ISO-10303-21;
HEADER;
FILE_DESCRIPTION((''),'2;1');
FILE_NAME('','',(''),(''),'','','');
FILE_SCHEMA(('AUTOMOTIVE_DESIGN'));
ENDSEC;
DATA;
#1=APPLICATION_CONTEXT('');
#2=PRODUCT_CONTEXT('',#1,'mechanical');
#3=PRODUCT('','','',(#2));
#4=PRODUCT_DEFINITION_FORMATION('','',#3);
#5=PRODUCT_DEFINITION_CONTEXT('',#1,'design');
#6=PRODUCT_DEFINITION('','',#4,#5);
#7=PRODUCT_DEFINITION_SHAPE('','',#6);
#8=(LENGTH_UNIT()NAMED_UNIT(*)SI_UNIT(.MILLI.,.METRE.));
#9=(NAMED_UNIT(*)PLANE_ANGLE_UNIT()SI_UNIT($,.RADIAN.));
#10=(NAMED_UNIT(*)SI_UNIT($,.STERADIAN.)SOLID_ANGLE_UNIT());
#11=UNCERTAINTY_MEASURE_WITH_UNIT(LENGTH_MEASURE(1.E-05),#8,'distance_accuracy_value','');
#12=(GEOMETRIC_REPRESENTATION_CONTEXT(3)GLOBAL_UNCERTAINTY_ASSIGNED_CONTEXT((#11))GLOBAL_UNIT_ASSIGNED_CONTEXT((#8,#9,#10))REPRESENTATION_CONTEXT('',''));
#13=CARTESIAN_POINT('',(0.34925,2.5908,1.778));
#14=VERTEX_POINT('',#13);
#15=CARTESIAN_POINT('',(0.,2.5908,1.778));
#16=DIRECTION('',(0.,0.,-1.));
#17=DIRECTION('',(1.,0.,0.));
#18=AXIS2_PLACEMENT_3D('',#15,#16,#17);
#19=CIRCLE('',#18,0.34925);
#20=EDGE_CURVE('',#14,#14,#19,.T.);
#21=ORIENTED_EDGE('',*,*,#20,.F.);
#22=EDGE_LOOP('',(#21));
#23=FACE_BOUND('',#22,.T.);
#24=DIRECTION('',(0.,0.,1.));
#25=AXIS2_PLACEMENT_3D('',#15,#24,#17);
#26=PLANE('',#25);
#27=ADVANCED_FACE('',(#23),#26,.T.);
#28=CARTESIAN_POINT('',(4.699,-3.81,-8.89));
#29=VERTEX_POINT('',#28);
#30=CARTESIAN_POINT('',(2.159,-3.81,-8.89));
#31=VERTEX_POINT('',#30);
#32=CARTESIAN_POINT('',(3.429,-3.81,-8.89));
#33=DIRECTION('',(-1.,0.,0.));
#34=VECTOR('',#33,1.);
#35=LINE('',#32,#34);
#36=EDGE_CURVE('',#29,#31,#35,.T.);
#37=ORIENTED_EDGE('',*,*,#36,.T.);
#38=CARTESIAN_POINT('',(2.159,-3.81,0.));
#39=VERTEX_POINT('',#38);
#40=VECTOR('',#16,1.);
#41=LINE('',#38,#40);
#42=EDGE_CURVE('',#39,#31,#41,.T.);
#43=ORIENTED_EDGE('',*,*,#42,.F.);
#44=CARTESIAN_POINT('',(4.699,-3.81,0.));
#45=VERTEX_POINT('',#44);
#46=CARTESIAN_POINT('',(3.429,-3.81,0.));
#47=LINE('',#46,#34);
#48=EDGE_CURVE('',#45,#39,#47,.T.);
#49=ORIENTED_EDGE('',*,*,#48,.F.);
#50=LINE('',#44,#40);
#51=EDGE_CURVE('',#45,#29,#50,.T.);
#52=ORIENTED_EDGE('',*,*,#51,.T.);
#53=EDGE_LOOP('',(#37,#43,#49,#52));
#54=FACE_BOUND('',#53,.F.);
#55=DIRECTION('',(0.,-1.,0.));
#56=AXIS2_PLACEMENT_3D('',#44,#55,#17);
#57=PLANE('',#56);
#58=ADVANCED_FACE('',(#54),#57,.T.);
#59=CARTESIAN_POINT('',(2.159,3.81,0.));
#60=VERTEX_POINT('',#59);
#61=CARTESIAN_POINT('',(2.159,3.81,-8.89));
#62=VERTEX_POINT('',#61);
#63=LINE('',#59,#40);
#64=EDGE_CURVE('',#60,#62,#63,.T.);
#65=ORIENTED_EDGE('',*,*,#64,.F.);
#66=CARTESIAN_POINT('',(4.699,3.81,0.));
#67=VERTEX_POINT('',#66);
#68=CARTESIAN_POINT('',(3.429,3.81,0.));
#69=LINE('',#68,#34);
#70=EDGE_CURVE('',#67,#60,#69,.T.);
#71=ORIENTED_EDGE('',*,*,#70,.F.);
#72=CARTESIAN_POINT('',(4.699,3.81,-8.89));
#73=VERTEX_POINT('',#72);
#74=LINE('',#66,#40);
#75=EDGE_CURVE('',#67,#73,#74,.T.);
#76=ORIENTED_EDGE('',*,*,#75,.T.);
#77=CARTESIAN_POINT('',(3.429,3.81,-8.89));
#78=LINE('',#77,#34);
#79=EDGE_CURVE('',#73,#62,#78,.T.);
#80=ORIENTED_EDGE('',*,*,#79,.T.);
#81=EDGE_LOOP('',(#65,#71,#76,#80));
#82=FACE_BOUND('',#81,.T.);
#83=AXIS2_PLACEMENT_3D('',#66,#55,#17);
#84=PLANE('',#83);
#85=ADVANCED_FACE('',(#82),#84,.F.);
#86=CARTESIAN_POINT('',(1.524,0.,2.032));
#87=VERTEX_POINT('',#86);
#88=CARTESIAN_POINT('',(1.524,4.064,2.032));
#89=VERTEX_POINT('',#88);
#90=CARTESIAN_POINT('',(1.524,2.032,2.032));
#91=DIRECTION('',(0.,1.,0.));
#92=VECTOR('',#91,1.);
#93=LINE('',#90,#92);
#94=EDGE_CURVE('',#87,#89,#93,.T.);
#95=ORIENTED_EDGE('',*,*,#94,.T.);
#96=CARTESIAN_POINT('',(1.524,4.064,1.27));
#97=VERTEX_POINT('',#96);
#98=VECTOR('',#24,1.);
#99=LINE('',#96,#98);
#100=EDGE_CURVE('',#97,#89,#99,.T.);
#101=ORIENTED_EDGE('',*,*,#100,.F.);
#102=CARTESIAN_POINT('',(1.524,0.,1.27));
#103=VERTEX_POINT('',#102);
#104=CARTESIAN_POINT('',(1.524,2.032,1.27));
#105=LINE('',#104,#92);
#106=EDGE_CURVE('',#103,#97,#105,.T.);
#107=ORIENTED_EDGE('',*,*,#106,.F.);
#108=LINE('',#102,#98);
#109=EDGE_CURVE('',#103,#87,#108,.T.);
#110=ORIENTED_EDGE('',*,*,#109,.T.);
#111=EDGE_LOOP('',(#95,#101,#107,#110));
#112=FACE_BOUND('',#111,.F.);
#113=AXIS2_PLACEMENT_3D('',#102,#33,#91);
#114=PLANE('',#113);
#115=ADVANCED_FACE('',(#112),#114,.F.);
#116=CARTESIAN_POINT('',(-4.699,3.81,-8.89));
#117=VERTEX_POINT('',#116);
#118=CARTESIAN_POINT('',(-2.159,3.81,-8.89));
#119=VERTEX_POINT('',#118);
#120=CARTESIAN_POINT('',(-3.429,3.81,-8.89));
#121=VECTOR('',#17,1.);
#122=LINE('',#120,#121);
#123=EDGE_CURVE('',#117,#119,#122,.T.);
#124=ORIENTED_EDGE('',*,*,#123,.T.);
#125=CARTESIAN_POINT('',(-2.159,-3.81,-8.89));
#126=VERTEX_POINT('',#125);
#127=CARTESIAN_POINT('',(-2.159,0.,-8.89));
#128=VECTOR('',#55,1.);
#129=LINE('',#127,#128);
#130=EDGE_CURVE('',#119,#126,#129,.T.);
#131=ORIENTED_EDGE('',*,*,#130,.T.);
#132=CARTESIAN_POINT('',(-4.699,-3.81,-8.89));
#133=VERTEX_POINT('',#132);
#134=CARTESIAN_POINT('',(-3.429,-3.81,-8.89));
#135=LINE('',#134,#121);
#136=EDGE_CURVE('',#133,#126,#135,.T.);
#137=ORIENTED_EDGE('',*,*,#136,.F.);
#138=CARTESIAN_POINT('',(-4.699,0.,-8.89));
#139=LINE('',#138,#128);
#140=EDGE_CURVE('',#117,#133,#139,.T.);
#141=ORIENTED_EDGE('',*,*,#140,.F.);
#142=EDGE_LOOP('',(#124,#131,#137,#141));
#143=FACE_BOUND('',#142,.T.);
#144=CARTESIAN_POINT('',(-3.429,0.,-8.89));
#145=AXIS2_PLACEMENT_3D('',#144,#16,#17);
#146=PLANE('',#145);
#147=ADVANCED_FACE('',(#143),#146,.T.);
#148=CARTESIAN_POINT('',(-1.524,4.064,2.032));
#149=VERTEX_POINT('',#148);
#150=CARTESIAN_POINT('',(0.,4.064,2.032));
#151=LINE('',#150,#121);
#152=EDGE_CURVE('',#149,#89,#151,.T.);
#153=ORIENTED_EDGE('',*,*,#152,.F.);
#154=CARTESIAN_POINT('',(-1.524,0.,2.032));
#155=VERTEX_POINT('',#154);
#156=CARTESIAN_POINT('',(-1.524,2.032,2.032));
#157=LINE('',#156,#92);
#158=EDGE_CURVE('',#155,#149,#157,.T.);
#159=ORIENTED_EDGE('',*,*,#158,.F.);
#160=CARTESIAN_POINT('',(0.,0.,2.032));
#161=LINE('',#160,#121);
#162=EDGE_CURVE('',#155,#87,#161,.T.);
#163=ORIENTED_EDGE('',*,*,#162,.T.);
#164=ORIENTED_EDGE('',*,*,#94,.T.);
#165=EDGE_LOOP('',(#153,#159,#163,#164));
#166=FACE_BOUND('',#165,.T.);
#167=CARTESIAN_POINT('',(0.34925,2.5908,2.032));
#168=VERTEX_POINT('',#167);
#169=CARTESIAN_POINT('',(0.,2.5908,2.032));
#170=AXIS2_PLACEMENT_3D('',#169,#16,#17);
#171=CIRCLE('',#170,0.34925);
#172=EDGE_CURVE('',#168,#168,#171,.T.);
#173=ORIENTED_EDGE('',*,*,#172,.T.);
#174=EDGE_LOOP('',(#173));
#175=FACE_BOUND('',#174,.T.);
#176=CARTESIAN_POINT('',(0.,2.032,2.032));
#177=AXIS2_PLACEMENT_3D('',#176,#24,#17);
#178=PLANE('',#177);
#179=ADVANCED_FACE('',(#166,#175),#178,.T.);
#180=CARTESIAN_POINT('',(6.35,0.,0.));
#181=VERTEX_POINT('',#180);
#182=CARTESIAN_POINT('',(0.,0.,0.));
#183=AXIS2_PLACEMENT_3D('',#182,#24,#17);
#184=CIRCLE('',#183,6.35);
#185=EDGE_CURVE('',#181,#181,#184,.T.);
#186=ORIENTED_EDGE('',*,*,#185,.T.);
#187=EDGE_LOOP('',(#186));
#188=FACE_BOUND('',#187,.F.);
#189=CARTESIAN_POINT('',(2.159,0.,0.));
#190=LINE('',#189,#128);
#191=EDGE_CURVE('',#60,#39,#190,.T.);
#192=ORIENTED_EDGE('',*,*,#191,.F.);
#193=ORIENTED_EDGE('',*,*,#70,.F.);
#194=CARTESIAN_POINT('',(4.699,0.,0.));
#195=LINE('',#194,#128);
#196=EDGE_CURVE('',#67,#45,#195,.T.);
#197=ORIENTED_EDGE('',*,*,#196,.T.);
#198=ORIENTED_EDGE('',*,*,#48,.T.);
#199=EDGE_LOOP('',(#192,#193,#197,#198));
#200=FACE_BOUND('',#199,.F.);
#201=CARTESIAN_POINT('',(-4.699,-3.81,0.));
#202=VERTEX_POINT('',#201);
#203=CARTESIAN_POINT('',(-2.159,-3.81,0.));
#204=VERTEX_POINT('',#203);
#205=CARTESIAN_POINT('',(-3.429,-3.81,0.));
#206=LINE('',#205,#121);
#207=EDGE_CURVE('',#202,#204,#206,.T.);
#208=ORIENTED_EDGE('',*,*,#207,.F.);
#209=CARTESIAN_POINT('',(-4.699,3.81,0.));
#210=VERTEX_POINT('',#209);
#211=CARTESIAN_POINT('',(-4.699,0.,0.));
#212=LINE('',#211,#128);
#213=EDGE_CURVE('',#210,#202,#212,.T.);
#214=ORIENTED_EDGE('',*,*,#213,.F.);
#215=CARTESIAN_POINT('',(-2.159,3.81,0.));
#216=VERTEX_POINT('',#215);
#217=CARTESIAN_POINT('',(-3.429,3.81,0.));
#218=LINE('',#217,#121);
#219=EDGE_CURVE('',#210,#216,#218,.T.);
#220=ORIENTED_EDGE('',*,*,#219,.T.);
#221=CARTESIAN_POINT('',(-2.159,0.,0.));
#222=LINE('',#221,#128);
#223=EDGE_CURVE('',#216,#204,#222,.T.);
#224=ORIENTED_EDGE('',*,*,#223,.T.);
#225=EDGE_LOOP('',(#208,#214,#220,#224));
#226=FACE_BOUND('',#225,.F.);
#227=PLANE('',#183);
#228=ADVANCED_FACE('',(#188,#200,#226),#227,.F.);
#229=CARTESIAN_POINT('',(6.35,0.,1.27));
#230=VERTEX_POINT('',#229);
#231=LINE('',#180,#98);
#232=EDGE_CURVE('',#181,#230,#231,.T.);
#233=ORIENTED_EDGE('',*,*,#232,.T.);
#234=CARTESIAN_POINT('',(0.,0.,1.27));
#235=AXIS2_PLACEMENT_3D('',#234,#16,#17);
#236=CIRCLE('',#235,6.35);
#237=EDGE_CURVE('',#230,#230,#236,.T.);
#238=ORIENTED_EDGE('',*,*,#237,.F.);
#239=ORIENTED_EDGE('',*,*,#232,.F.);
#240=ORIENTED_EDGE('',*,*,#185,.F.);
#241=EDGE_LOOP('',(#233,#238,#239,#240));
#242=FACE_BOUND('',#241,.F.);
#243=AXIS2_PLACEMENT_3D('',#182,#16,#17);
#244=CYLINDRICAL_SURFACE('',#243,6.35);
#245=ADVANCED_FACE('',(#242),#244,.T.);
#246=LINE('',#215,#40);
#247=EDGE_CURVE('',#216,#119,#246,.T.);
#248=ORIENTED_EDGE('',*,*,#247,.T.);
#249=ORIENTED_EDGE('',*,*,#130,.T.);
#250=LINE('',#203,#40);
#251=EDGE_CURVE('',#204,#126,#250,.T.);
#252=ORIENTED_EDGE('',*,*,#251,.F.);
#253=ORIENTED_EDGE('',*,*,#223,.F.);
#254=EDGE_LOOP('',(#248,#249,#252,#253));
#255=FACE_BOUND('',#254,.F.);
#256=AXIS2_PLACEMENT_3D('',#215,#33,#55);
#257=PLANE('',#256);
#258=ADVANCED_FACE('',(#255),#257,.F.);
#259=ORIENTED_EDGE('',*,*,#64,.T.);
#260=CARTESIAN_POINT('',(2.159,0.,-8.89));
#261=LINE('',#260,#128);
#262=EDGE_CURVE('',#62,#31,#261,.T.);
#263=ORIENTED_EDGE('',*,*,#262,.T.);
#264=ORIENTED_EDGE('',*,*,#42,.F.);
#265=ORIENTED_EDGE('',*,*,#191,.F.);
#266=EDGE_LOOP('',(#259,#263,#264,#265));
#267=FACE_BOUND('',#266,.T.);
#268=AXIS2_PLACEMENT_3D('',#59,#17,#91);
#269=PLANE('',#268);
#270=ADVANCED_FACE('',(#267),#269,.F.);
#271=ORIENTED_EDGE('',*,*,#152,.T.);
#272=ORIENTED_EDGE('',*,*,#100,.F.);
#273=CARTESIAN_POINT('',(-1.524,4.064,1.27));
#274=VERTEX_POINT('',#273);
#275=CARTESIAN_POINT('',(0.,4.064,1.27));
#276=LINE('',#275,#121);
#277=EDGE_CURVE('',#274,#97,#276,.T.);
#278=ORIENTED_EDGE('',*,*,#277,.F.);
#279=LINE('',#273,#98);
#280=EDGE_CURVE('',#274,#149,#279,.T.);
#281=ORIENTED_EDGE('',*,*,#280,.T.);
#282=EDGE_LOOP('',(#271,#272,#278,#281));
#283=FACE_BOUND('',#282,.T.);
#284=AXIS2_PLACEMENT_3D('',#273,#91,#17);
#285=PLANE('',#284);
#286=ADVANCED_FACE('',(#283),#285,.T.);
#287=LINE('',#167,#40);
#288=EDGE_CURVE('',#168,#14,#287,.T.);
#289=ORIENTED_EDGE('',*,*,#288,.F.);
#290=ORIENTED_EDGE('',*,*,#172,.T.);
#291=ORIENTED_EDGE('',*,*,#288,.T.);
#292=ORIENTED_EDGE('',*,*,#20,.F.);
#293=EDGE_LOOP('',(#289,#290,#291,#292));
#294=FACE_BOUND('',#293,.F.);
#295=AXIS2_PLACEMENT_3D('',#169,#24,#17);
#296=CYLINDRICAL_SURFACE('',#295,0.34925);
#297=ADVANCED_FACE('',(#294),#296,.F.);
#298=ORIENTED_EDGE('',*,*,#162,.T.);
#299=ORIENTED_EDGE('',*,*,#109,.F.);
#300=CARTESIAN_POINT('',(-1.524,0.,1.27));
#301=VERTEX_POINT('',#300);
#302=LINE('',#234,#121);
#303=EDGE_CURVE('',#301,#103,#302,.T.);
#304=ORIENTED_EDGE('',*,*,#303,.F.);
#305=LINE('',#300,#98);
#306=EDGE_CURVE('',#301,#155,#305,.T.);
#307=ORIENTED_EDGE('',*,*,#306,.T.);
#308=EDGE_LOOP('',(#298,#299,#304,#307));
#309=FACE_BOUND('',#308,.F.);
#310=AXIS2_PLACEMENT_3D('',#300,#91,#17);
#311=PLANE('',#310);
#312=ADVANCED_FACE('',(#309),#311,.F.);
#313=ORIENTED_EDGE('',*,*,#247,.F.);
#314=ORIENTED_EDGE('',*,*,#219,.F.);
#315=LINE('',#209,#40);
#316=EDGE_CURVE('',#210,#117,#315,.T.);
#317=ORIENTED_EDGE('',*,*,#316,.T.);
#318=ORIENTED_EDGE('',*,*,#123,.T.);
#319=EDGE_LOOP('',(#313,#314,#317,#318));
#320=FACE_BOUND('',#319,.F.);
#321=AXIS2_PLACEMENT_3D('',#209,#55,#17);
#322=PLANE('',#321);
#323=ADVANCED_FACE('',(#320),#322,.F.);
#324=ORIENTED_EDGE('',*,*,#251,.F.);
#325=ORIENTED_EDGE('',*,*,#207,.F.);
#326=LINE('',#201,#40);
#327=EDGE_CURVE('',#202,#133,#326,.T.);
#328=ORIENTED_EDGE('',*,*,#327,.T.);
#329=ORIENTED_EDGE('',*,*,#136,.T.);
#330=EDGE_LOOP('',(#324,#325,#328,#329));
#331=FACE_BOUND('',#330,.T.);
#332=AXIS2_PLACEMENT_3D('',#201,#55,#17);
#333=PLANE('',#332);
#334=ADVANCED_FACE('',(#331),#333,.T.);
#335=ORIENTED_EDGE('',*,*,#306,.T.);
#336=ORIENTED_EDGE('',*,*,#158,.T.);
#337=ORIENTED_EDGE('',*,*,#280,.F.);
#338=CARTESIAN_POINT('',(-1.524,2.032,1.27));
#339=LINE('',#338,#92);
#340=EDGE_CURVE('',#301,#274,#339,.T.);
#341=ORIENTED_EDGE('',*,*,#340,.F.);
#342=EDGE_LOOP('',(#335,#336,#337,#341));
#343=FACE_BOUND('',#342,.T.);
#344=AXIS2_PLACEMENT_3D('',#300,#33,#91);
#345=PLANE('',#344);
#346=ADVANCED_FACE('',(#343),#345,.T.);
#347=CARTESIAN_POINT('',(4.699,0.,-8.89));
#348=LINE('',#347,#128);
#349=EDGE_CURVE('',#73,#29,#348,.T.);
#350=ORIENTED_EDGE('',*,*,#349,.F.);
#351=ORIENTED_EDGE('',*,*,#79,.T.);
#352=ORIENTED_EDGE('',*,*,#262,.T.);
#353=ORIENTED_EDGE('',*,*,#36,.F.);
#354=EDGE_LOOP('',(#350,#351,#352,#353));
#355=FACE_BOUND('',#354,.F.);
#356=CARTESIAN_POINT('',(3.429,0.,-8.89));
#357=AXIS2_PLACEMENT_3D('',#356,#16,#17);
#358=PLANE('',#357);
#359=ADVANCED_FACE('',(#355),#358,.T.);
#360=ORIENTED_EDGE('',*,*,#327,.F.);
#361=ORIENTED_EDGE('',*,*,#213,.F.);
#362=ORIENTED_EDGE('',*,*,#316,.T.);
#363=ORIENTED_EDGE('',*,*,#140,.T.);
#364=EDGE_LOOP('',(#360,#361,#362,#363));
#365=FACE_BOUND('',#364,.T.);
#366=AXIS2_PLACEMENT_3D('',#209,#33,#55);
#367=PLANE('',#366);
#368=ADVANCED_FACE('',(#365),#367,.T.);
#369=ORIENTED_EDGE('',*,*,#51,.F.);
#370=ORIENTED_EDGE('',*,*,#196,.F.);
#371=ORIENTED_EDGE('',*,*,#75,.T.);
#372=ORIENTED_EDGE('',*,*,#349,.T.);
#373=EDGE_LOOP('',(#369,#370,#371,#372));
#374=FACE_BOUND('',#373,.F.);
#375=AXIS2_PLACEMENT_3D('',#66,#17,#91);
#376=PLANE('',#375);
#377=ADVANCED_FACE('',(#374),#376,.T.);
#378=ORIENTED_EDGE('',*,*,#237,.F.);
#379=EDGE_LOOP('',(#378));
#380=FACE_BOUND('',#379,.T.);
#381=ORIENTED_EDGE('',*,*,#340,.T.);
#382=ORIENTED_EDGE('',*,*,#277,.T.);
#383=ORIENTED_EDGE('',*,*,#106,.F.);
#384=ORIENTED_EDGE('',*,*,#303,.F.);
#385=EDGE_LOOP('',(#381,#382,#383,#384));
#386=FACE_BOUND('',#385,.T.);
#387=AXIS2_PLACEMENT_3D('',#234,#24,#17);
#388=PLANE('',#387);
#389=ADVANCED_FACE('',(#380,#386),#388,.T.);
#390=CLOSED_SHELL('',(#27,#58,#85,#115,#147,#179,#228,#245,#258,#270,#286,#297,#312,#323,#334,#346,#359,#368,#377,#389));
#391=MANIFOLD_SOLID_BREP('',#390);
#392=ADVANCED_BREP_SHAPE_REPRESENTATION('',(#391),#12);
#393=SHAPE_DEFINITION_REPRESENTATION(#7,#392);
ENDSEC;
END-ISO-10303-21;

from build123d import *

# Parameters (mm, degrees)
F0_R     = 6.35
F1_DEPTH = 1.27
F2_W     = 3.048
F2_H     = 4.064
F3_DEPTH = 0.762
F4_R     = 0.34925
F5_DEPTH = 0.254
F6_W     = 2.54
F6_H     = 7.62
F7_DEPTH = 8.89


with BuildPart() as f1:
    # F0 (on Top) → F1 (new body)
    with BuildSketch(Plane.XY):
        Circle(F0_R)
    extrude(amount=F1_DEPTH)

    # F2 (on face) → F3 (join)
    with BuildSketch(Plane.XY.offset(1.27)):
        with Locations((0, 2.032)):
            Rectangle(F2_W, F2_H)
    extrude(amount=F3_DEPTH)

    # F4 (on face) → F5 (cut)
    with BuildSketch(Plane.XY.offset(2.032)):
        with Locations((0, 2.5908)):
            Circle(F4_R)
    extrude(amount=-F5_DEPTH, mode=Mode.SUBTRACT)

    # F6 (on face) → F7 (join)
    with BuildSketch(Plane(origin=(0, 0, 0), x_dir=(1, 0, 0), z_dir=(0, 0, -1))):
        with Locations((-3.429, 0)):
            Rectangle(F6_W, F6_H)
    extrude(amount=F7_DEPTH)

    # F8: F1 across plane


with BuildPart() as f1_1:
    add(f1.part)
    add(f1.part.mirror(Plane.YZ))


solid = f1_1.part
